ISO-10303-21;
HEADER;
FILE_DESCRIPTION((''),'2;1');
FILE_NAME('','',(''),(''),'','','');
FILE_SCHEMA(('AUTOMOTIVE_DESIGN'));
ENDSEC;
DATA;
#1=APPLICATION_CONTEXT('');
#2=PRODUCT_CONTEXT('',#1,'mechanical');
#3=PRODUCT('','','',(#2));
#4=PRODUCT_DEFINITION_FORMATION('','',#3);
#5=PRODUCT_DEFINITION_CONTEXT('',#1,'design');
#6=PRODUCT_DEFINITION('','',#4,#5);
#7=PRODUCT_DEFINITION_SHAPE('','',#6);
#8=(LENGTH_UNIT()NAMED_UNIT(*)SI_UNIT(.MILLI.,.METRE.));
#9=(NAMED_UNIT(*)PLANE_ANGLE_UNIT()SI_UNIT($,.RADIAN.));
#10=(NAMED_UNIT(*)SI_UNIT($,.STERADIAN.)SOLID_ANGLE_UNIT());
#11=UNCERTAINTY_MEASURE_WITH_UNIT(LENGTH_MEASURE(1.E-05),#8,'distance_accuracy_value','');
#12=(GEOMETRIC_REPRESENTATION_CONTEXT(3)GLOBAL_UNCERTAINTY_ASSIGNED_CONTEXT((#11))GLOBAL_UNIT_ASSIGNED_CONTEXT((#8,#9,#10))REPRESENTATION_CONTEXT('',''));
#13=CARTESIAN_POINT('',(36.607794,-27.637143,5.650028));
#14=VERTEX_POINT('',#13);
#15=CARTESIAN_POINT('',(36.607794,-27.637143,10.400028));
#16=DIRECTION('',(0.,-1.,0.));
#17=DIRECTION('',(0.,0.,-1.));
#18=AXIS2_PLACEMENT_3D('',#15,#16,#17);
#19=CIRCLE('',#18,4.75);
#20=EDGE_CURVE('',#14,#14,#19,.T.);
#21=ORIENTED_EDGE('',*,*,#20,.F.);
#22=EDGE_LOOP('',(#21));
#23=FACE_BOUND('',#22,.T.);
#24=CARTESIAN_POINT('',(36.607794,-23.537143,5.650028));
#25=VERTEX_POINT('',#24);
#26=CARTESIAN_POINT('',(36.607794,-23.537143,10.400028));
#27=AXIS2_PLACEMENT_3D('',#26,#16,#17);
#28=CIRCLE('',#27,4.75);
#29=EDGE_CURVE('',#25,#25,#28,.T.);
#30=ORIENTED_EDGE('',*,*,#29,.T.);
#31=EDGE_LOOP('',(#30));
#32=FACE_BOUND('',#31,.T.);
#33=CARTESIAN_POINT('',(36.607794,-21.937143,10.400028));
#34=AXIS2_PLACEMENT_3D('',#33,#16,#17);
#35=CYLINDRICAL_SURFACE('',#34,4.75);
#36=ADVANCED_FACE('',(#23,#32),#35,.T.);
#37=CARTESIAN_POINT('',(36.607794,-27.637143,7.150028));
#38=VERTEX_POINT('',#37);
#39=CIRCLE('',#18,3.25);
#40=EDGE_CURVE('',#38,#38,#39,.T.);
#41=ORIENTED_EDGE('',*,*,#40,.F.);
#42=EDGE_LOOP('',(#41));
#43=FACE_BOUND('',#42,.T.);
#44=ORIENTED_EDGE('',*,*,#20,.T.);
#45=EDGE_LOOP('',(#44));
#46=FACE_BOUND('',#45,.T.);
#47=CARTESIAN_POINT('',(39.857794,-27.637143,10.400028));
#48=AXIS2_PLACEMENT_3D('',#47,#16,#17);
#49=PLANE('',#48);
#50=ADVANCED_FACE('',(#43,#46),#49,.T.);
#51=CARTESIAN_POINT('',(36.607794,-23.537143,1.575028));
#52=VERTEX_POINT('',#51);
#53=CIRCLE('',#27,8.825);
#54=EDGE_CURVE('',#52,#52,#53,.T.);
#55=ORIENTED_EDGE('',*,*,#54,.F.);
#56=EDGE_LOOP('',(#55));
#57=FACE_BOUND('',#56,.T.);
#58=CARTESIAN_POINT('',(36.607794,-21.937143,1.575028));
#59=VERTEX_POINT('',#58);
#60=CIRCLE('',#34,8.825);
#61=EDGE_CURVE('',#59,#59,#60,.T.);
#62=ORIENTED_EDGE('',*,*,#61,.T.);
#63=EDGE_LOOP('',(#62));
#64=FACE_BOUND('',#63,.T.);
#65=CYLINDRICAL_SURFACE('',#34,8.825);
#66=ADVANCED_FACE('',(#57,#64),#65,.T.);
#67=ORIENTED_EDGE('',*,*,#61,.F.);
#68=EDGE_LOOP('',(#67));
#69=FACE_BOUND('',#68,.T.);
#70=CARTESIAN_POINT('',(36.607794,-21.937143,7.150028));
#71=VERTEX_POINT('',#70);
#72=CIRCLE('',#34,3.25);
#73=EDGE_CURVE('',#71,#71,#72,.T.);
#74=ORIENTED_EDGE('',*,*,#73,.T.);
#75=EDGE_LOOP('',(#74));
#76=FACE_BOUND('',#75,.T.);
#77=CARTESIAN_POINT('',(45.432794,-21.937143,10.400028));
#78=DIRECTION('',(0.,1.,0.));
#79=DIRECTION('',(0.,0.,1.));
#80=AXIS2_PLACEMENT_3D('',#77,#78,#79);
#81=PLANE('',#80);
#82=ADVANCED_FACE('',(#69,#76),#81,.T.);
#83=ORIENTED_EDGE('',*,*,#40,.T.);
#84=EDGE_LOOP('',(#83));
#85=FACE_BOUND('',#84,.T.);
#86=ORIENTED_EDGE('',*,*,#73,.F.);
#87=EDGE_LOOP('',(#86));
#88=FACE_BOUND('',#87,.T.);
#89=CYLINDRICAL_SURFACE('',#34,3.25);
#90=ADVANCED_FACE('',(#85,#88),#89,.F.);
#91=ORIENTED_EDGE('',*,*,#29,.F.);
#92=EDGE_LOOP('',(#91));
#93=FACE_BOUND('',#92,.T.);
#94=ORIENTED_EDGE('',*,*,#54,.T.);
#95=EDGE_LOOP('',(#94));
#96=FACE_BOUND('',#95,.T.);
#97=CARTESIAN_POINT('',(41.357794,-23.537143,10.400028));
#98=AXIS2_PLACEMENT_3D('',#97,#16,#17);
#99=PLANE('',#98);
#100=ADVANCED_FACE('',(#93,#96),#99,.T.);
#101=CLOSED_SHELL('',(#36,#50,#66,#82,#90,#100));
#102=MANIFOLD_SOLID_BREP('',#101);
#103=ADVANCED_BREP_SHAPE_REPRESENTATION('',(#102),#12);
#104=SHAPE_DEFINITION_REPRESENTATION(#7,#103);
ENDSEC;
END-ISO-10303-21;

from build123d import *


with BuildPart() as part:
    # Esquisse1 → Révolution1 (revolve)
    with BuildSketch(Plane.XY.offset(10.400028379), mode=Mode.PRIVATE) as r_volution1_sk:
        Polygon((41.3577939, -27.63714263), (41.3577939, -23.53714263), (45.4327939, -23.53714263), (45.4327939, -21.93714263), (39.8577939, -21.93714263), (39.8577939, -27.63714263), align=None)
    revolve(r_volution1_sk.sketch.rotate(Axis((36.6077939, -21.93714263, 10.400028379), (0, -1, 0)), 270), axis=Axis((36.6077939, -21.93714263, 10.400028379), (0, -1, 0)))


solid = part.part
